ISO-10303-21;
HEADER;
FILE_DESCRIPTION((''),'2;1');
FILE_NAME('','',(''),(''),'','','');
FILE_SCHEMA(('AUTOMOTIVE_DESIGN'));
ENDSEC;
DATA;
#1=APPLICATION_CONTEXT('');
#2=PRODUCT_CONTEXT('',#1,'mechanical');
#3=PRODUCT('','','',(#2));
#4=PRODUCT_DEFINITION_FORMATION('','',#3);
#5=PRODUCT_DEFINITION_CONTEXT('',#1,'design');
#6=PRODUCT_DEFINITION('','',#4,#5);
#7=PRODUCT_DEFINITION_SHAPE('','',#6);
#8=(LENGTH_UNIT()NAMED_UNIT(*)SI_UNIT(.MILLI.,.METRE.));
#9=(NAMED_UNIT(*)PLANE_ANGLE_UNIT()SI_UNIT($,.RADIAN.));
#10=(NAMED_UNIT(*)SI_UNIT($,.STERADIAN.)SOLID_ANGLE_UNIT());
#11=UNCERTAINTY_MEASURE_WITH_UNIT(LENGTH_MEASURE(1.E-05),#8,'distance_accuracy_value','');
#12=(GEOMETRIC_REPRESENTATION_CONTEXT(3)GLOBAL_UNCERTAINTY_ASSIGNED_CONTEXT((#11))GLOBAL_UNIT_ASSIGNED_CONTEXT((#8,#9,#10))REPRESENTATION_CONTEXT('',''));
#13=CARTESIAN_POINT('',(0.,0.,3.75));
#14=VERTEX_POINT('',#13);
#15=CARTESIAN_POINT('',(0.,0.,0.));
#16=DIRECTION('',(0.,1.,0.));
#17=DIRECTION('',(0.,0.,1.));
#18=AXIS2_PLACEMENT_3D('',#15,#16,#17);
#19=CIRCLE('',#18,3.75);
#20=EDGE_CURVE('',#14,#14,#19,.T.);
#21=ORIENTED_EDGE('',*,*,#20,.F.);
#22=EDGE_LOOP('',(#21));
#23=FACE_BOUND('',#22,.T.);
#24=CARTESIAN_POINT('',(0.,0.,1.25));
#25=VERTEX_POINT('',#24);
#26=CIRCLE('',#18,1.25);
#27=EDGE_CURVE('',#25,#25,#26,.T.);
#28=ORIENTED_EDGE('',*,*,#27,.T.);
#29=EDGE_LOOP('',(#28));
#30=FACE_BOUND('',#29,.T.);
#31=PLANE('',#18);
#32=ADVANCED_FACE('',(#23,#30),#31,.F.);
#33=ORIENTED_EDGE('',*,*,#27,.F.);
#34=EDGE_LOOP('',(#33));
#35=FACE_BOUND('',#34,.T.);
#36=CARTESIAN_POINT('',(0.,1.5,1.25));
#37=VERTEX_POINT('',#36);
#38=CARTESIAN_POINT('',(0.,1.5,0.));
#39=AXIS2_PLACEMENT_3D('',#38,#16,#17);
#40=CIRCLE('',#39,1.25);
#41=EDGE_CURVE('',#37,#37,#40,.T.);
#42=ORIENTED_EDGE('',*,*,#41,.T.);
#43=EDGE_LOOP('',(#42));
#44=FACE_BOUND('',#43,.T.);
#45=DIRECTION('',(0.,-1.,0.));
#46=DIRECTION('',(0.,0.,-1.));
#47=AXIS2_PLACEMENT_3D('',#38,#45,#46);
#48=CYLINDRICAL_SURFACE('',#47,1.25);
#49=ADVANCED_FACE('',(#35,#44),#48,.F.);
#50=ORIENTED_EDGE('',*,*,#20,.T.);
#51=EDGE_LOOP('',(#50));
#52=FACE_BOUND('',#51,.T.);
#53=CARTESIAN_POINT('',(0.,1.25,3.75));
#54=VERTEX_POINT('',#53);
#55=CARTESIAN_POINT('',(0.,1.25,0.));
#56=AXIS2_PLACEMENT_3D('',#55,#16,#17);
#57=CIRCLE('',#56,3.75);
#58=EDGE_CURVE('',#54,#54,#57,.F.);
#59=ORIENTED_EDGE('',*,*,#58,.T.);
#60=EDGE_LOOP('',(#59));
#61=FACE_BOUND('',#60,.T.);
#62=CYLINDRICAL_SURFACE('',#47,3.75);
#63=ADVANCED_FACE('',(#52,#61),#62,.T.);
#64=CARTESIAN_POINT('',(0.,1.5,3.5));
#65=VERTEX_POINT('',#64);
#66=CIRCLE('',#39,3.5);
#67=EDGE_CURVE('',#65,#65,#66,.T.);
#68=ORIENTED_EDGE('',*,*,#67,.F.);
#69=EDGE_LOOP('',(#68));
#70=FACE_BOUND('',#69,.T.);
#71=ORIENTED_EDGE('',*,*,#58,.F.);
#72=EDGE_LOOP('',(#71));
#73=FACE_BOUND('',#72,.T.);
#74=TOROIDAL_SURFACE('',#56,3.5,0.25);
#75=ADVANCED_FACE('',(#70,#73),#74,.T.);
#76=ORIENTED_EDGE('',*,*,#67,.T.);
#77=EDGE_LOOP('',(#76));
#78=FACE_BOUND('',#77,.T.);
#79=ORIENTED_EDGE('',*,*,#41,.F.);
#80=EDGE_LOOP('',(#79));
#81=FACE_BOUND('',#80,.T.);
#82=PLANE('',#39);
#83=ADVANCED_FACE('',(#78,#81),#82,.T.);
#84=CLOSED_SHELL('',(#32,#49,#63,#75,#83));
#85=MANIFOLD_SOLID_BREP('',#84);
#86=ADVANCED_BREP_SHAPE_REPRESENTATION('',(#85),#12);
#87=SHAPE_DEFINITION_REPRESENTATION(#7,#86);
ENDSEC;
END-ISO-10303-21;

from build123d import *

# Parameters (mm, degrees)
ESQUISSE2_R        = 3.75
ESQUISSE2_R_2      = 1.25
BOSS_EXTRU_1_DEPTH = 1.5
CONG_2_R           = 0.25


with BuildPart() as part:
    # Esquisse2 → Boss.-Extru.1 (new body)
    with BuildSketch(Plane(origin=(0, 0, 0), x_dir=(1, 0, 0), z_dir=(0, 1, 0))):
        with Locations(Location((0, 0, 0), (0, 0, 270))):
            Circle(ESQUISSE2_R)
        with Locations(Location((0, 0, 0), (0, 0, 270))):
            Circle(ESQUISSE2_R_2, mode=Mode.SUBTRACT)
    extrude(amount=BOSS_EXTRU_1_DEPTH)

    # Congé2
    cong_2_edges = [part.edges().sort_by_distance(p)[0] for p in [
        (0, 1.5, -3.75),
    ]]
    fillet(cong_2_edges, radius=CONG_2_R)


solid = part.part
